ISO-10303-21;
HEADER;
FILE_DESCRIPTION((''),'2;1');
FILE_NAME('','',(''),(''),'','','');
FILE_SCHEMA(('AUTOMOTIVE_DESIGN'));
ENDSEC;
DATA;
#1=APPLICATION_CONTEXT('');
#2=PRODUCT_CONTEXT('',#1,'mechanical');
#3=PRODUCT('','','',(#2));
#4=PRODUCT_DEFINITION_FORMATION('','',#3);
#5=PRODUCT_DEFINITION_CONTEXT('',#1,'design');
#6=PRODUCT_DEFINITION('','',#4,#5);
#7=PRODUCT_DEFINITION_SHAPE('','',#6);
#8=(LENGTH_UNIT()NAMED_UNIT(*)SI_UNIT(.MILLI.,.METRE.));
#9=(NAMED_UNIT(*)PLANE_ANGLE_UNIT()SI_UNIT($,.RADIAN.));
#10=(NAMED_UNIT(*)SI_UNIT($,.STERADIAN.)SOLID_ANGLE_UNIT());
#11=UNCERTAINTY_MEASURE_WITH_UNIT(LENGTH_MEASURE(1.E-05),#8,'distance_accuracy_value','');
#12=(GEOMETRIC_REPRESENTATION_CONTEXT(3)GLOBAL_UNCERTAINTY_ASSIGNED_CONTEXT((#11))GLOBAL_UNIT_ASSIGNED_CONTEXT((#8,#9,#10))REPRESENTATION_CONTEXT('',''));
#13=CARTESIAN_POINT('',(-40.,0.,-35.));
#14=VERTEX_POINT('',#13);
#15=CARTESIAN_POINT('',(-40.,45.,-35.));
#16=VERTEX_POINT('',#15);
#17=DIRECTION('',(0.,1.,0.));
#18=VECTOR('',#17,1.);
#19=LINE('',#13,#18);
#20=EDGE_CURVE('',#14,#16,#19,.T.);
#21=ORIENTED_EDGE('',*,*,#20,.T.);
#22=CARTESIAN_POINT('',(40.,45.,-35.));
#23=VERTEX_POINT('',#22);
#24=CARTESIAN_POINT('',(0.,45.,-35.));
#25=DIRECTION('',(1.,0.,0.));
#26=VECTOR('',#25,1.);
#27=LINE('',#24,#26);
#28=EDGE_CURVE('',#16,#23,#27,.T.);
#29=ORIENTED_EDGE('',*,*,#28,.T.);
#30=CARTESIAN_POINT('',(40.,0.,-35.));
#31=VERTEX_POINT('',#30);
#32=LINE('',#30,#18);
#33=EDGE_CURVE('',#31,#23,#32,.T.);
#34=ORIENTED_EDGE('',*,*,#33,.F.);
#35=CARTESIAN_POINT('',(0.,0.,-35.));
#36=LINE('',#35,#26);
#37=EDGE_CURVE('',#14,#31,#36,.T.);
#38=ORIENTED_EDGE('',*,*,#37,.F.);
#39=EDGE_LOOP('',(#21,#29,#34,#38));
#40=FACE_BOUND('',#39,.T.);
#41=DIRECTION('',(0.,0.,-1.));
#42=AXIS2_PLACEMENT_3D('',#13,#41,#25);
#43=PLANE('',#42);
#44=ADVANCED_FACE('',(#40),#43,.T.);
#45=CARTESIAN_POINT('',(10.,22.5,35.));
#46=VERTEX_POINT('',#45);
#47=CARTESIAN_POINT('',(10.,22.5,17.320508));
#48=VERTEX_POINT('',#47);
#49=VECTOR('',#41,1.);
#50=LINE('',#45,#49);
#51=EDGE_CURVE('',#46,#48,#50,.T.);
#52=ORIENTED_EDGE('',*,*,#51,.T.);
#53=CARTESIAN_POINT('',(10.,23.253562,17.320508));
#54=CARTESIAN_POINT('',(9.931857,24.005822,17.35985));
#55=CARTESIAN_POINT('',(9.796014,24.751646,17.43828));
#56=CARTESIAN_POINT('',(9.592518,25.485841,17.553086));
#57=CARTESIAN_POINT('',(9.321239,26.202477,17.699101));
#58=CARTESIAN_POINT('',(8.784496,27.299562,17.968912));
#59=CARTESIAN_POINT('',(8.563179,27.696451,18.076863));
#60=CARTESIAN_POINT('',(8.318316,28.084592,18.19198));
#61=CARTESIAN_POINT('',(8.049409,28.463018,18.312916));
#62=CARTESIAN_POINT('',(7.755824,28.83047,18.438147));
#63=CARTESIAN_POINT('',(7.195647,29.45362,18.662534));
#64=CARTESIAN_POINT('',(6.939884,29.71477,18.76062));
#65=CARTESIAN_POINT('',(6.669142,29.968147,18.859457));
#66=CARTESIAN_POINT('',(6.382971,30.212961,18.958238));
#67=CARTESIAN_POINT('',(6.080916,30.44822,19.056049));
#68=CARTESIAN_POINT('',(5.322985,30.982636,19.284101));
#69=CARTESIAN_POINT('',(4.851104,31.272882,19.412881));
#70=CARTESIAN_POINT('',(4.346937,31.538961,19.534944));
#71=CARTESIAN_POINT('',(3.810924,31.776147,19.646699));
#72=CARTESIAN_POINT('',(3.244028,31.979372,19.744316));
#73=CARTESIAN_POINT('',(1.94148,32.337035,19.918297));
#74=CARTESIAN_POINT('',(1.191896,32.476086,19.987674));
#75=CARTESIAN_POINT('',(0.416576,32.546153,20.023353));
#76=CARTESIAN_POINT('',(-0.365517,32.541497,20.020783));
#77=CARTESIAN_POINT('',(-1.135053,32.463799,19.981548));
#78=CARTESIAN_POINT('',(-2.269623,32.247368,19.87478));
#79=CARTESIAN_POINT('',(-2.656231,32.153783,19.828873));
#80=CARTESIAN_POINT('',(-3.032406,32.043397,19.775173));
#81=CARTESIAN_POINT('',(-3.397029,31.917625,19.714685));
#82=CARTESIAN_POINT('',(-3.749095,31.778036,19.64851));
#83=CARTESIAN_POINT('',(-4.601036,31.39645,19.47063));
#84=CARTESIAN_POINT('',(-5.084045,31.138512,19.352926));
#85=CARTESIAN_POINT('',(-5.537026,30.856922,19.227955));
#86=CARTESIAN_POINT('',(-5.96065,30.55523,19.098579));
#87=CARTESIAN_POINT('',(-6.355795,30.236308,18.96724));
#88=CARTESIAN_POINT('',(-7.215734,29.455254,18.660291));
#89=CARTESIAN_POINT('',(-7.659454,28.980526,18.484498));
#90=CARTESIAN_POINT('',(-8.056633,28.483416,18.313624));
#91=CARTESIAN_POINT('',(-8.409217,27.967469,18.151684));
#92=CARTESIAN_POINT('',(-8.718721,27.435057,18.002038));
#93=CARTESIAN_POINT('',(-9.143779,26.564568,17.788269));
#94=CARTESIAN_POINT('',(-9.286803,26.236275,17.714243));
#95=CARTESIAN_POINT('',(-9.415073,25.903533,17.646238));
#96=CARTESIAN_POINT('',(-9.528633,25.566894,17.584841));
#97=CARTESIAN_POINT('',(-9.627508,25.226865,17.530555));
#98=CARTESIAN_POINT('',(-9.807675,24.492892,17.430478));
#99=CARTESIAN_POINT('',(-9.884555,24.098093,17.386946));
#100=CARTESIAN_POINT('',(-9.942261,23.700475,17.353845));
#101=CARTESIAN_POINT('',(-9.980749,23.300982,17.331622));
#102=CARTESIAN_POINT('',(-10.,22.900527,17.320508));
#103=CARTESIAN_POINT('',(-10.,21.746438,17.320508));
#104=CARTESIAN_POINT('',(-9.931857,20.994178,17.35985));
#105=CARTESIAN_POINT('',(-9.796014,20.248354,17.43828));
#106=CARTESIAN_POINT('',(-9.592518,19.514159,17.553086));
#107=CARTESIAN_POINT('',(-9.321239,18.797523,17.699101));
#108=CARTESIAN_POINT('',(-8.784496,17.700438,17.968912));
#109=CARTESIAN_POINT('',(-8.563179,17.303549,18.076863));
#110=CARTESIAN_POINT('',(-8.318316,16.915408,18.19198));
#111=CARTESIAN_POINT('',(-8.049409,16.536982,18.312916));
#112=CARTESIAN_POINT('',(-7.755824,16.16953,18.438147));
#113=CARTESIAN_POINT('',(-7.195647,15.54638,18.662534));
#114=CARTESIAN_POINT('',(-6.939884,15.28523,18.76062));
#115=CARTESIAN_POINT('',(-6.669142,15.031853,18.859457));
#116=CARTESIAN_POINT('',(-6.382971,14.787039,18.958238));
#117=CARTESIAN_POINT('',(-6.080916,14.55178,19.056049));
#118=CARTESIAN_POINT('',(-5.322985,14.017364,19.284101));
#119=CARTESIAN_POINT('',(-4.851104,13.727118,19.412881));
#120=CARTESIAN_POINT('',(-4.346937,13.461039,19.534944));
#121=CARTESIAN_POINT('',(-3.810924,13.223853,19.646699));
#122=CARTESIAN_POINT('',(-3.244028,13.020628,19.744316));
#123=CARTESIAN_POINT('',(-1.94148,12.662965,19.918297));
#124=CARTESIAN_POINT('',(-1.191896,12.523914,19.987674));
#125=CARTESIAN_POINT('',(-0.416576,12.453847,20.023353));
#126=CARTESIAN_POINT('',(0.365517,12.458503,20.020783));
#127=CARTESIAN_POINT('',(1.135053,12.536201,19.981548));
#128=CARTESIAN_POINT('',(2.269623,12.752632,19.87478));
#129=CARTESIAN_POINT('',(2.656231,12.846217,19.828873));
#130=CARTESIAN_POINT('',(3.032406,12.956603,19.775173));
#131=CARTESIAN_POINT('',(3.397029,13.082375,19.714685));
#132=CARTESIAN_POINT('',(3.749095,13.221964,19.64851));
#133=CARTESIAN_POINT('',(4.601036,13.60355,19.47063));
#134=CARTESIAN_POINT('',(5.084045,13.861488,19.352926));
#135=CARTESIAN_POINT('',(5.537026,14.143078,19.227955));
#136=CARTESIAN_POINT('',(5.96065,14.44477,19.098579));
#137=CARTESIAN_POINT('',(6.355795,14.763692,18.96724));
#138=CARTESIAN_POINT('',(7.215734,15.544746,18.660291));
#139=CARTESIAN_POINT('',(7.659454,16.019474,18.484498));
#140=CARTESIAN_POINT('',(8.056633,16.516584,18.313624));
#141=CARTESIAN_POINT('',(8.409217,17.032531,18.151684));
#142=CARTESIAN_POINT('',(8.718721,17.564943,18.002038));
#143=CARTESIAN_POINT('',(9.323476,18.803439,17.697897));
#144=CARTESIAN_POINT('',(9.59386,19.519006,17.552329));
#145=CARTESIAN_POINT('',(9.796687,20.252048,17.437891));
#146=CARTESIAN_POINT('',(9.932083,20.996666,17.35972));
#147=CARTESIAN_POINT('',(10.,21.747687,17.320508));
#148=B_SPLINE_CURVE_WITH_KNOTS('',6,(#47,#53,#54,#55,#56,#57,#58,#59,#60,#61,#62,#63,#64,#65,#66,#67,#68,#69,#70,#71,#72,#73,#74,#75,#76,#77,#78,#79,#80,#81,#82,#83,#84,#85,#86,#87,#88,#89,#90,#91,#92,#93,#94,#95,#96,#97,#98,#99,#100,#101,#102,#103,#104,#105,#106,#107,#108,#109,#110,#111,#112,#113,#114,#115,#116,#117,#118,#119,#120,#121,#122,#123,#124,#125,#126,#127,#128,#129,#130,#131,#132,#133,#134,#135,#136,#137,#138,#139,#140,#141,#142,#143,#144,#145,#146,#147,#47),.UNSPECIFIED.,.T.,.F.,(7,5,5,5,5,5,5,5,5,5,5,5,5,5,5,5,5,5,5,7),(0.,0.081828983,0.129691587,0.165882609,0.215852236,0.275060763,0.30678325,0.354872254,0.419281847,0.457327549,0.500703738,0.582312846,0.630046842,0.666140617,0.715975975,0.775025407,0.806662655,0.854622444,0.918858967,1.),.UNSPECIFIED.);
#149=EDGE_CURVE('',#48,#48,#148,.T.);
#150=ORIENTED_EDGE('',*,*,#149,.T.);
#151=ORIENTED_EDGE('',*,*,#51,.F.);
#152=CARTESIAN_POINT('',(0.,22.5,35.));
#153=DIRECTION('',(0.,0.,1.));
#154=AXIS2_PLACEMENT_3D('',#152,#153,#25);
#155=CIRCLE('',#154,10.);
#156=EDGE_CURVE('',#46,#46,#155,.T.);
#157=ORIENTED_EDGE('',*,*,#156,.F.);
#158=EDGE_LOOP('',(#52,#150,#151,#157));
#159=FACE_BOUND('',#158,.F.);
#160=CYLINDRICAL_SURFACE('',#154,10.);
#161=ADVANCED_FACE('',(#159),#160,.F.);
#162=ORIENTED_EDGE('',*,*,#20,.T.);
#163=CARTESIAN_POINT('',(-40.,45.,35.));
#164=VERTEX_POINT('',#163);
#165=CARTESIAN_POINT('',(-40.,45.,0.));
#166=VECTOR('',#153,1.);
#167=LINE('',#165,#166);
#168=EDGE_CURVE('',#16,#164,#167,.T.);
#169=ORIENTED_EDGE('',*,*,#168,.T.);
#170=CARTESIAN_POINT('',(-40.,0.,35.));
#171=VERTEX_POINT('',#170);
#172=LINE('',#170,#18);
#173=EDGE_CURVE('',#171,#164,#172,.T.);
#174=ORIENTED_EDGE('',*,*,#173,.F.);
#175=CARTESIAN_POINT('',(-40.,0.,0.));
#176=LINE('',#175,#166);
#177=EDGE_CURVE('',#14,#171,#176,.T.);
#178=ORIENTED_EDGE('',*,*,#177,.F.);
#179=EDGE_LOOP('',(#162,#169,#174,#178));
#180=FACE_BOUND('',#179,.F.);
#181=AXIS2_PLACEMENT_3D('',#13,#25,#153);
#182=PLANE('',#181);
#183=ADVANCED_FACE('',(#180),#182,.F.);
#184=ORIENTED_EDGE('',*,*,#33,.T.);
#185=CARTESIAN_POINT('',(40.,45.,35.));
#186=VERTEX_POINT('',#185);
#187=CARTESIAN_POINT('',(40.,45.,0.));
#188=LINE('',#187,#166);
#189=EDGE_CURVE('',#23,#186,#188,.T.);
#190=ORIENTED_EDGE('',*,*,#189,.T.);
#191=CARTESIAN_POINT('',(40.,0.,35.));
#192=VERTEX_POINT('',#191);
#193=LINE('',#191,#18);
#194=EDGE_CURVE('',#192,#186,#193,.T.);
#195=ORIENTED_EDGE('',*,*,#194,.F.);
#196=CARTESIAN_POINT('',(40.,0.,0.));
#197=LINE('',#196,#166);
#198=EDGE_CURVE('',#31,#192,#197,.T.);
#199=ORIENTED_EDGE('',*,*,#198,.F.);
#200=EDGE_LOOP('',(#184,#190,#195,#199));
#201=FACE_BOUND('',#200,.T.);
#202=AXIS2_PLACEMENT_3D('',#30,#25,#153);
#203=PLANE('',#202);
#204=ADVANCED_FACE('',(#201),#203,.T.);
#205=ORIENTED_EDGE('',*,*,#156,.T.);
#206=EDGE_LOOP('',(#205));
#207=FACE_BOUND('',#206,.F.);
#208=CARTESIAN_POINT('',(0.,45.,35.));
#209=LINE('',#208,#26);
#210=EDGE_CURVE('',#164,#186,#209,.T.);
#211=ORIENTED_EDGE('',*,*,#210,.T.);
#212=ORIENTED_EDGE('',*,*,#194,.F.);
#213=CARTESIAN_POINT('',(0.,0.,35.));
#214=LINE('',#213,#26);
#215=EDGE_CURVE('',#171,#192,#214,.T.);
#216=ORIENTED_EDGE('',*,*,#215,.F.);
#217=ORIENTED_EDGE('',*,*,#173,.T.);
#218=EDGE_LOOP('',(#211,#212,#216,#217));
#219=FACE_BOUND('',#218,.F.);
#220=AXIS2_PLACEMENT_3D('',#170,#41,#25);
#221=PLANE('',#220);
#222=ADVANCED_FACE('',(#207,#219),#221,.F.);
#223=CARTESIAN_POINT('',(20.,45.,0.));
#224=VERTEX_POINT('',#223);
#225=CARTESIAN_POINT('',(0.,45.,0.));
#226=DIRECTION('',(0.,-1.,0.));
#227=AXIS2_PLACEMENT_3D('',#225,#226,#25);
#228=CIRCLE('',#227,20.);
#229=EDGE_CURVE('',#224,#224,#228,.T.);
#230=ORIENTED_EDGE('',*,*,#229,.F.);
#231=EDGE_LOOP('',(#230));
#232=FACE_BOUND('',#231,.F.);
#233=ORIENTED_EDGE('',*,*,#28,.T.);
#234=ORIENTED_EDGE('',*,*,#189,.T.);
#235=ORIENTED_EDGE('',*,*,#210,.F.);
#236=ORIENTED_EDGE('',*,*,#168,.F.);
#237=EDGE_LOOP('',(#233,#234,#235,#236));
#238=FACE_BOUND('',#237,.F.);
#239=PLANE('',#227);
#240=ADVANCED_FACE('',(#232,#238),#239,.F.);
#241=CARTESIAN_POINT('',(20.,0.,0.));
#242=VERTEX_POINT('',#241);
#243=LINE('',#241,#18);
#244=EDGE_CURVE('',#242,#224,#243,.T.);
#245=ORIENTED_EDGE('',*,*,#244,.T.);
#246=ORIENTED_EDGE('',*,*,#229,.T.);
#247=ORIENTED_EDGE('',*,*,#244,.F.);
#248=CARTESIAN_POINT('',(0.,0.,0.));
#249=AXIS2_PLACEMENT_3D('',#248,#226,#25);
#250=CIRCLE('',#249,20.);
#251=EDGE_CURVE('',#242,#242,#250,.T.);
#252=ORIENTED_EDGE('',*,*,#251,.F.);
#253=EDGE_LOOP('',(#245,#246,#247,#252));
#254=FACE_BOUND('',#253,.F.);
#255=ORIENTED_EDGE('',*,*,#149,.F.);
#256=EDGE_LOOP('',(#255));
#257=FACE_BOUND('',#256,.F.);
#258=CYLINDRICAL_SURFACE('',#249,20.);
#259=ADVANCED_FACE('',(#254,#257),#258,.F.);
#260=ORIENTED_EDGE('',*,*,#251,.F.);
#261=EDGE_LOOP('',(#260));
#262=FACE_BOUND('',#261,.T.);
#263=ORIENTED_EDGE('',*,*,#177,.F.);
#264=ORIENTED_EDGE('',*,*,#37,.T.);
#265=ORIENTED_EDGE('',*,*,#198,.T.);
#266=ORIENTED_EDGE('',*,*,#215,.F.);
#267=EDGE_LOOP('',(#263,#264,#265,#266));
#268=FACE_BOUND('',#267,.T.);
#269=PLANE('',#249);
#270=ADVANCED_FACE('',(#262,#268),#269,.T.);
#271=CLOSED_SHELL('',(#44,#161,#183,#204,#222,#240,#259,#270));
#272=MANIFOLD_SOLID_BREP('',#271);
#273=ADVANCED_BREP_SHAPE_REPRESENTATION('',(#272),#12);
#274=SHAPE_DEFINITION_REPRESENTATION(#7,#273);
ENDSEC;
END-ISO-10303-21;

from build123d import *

# Parameters (mm, degrees)
F0_W     = 80
F0_H     = 70
F1_DEPTH = 45
F2_R     = 20
F3_DEPTH = 45.001
F4_R     = 10
F5_DEPTH = 25


with BuildPart() as f1:
    # F0 (on Front) → F1 (new body)
    with BuildSketch(Plane.XZ):
        Rectangle(F0_W, F0_H)
    extrude(amount=-F1_DEPTH)

    # F2 (on face) → F3 (cut, through all)
    with BuildSketch(Plane.XZ):
        Circle(F2_R)
    extrude(amount=-F3_DEPTH, mode=Mode.SUBTRACT)

    # F4 (on face) → F5 (cut)
    with BuildSketch(Plane.XY.offset(35)):
        with Locations((0, 22.5)):
            Circle(F4_R)
    extrude(amount=-F5_DEPTH, mode=Mode.SUBTRACT)


solid = f1.part
